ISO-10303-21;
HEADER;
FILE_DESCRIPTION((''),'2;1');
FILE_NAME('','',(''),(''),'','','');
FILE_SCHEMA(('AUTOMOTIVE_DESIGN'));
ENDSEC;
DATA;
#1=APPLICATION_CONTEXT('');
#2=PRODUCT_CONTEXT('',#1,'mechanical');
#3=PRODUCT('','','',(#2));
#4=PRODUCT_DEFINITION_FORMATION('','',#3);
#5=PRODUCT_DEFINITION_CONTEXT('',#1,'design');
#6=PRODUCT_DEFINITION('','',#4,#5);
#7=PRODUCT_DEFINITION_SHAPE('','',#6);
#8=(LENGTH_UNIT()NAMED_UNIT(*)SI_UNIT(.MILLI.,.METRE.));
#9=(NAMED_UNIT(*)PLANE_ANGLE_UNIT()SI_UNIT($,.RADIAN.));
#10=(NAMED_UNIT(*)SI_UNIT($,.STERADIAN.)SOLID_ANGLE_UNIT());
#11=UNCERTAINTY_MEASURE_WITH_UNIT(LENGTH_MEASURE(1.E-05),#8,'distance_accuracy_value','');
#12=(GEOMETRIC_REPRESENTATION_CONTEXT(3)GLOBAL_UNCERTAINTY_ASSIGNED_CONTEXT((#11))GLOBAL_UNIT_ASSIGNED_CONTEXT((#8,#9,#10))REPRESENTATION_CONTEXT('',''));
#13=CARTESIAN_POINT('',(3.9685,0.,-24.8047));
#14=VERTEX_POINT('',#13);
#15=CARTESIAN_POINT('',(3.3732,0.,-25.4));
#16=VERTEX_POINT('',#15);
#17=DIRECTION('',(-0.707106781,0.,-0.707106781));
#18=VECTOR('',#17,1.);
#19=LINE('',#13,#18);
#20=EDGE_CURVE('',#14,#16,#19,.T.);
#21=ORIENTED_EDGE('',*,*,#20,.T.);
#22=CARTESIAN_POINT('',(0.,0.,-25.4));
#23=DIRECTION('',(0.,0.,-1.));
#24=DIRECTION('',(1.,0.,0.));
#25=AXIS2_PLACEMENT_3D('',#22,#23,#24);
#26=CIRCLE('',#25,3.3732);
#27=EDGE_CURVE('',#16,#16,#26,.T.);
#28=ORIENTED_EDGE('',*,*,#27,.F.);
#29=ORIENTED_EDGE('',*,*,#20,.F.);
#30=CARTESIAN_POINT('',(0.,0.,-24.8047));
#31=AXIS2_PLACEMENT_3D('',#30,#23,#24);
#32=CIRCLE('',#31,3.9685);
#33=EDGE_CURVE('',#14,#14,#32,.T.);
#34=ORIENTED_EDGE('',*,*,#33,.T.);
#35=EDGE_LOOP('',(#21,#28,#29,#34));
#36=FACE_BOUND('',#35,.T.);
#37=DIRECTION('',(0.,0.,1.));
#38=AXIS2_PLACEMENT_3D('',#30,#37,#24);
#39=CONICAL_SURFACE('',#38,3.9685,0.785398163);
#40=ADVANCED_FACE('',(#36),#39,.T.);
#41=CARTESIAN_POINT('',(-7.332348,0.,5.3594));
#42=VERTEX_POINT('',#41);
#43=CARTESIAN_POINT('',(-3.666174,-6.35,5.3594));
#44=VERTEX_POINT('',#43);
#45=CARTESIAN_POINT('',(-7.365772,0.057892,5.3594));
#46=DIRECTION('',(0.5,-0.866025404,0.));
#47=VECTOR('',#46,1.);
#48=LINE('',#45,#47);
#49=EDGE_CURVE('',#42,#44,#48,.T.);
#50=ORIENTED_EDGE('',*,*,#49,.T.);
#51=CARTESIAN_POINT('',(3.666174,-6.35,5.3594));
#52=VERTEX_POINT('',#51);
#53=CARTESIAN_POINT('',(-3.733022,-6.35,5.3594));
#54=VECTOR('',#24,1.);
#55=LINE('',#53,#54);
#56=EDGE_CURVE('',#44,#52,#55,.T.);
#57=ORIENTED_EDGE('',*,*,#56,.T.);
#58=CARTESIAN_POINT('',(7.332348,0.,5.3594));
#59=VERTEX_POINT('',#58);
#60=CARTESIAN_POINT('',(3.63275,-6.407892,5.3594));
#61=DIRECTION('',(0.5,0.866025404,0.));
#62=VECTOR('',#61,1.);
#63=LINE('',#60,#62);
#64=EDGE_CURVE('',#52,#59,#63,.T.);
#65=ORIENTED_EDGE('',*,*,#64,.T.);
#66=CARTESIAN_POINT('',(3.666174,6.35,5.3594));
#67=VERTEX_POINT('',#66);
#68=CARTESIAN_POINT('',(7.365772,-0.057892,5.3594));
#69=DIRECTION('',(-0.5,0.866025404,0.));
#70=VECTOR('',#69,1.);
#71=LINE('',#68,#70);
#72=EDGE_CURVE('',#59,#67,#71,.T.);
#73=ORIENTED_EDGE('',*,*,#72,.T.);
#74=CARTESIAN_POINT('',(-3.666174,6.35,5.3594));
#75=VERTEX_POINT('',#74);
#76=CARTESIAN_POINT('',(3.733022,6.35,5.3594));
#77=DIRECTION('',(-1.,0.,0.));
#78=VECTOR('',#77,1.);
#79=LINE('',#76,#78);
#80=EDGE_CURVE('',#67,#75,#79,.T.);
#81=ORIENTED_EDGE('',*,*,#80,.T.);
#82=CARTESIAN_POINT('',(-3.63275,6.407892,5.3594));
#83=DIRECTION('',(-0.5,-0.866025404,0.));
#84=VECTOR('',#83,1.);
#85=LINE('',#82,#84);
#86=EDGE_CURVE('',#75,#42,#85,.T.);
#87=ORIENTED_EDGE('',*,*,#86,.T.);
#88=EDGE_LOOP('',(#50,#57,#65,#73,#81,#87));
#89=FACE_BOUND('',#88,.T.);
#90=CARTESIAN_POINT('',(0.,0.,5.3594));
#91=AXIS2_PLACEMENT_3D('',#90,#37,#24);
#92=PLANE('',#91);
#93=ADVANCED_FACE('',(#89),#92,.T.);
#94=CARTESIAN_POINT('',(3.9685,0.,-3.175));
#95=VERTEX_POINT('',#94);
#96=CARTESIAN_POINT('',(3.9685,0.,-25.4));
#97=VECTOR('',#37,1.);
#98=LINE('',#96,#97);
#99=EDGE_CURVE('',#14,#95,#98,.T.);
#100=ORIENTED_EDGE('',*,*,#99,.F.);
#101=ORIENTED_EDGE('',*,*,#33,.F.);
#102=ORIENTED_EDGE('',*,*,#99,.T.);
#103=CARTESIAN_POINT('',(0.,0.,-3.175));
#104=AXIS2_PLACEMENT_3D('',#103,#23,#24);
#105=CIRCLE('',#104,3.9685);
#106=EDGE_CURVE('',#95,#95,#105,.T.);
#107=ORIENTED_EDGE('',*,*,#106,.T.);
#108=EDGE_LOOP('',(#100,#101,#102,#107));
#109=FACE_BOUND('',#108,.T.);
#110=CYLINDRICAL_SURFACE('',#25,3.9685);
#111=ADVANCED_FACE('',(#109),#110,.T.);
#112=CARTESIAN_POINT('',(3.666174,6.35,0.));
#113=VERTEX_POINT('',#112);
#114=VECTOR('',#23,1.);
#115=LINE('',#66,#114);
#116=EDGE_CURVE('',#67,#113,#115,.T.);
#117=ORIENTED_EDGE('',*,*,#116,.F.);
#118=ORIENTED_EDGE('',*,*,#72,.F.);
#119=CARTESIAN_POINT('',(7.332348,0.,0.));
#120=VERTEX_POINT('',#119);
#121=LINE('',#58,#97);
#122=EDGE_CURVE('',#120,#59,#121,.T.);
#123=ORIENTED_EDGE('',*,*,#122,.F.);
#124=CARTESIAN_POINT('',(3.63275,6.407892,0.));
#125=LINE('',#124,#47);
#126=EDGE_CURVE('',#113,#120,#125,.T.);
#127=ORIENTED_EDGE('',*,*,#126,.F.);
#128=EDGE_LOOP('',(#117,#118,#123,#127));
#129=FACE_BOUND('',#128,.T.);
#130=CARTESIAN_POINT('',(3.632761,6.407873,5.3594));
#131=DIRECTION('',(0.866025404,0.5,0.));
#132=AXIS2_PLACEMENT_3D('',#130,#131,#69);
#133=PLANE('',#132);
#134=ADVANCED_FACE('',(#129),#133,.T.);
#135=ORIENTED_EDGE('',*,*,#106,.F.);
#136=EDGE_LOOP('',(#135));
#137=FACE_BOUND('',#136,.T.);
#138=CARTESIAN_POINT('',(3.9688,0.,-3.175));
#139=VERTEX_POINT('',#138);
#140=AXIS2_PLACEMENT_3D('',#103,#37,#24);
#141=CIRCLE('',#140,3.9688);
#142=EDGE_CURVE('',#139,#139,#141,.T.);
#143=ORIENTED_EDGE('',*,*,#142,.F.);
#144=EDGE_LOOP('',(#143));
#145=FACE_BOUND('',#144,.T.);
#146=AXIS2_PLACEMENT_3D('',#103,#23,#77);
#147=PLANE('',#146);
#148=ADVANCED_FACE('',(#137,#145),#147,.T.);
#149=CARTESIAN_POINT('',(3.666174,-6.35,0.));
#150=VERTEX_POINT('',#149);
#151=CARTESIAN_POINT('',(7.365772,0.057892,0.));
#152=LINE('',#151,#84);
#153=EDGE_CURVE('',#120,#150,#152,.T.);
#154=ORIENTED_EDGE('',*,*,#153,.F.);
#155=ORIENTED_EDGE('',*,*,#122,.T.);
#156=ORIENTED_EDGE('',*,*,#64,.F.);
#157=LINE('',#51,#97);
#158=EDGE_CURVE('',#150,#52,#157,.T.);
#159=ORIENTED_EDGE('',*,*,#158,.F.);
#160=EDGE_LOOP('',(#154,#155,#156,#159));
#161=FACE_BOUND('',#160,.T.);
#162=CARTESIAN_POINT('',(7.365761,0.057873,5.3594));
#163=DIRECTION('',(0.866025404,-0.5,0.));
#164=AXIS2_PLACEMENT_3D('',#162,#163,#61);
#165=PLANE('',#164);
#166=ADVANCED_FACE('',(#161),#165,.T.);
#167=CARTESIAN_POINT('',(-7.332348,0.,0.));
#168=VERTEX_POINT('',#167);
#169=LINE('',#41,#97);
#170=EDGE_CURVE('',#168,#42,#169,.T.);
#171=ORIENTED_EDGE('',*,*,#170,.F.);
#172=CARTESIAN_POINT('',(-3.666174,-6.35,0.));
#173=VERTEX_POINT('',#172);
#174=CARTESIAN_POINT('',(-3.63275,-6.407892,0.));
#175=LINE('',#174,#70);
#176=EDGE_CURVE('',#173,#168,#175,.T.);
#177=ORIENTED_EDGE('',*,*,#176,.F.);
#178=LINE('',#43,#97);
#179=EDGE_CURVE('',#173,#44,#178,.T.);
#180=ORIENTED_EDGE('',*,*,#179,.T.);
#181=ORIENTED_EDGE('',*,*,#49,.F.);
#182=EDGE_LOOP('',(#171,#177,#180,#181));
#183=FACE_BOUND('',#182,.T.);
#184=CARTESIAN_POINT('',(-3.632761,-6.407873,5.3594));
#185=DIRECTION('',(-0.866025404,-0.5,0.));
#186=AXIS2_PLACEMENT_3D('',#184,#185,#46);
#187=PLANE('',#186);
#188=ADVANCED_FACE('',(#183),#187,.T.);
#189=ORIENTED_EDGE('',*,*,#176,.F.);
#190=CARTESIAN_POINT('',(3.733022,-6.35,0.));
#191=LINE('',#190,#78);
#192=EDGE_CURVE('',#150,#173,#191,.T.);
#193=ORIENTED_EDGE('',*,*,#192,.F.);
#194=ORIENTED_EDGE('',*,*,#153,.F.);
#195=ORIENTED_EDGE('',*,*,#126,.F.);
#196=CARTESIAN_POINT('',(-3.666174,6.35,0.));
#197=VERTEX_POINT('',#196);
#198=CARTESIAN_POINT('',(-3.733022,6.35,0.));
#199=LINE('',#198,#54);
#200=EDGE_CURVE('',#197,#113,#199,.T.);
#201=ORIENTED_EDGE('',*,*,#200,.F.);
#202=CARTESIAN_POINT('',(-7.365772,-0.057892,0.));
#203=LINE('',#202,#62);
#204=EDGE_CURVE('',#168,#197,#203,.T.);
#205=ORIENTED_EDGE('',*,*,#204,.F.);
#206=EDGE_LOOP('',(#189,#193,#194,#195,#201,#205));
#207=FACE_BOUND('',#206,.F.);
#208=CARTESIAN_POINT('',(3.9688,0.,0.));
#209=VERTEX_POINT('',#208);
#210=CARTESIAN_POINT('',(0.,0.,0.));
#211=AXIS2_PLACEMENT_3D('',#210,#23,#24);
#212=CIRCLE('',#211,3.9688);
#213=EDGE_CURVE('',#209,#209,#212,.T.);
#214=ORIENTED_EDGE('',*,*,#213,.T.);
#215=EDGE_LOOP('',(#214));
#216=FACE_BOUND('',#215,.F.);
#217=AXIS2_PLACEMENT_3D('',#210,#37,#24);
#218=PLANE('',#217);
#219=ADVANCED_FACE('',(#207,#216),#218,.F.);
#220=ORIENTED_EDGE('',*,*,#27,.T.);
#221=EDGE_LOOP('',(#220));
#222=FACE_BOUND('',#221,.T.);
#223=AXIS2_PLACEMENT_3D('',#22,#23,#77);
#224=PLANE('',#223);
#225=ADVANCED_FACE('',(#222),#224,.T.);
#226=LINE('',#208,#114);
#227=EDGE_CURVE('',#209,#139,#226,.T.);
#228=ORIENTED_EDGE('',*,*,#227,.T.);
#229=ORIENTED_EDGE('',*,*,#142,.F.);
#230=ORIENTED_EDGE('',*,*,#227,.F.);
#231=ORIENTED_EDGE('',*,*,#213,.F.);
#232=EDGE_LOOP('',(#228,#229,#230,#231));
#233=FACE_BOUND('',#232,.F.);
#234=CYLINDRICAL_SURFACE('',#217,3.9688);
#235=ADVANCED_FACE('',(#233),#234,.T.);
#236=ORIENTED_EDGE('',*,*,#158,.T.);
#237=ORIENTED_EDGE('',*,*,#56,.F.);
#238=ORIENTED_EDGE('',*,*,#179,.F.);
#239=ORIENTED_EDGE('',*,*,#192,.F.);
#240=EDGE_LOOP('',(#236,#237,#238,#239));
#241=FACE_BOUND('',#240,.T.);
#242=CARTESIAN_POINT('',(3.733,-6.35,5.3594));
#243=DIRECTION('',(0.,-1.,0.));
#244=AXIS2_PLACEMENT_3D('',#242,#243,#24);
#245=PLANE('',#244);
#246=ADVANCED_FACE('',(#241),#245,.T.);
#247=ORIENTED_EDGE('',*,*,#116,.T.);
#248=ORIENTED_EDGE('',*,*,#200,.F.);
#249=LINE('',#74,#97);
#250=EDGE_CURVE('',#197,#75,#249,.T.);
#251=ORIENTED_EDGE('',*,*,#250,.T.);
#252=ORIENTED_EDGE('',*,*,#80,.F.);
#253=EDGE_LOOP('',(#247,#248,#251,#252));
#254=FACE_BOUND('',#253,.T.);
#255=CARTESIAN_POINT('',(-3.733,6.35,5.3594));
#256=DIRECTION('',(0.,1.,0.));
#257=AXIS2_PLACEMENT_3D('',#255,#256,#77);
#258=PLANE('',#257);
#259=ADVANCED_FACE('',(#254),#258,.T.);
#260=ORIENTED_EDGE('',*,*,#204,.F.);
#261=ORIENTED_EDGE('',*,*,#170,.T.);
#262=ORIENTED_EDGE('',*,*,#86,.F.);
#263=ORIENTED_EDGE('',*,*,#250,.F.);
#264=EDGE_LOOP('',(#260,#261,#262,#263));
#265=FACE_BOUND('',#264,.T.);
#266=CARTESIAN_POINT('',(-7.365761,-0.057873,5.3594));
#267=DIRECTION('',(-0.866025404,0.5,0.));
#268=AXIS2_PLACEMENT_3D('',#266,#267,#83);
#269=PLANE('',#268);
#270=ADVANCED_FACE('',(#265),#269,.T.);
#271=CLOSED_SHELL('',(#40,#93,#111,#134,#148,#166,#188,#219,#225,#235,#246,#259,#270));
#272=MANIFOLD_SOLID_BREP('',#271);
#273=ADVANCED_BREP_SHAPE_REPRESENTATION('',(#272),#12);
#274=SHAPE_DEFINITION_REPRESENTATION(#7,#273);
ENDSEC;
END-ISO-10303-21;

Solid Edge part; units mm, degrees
sketch "Sketch1" plane through (0, 0, 0) normal (0, 0, 1) x (1, 0, 0)
  circle A0 centre (0, 0) radius 7.366
  dimension "D1" = 14.732
extrude "Protrusion1" add sketch "Sketch1" along normal blind 5.3594
sketch "Sketch2" plane through (0, 0, 0) normal (0, 0, -1) x (1, 0, 0)
  circle A0 centre (0, 0) radius 3.9688
extrude "Protrusion2" add sketch "Sketch2" along normal blind 25.4
sketch "Sketch3" plane through (0, 0, -25.4) normal (0, 0, -1) x (1, 0, 0)
  circle A0 centre (0, 0) radius 3.9685
extrude "Cutout1" cut sketch "Sketch3" against normal blind 22.225 flip side to cut
chamfer "Chamfer_1" distance 0.5953 angle 45 1 edges at (-3.9685, 0, -25.4)
sketch "Sketch4" plane through (0, 0, 5.3594) normal (0, 0, 1) x (1, 0, 0)
  line L0 (-3.733, 6.35) -> (3.733, 6.35)
  dimension "D1" = 12.7
extrude "Cutout2" cut sketch "Sketch4" against normal up to next material side at (0, 6.4, 5.3594)
pattern_circular "Pattern1" count 6 over 360 about axis through (0, 0, 5.3594) along (0, 0, 1) of "Cutout2"
properties part number "24100008"
